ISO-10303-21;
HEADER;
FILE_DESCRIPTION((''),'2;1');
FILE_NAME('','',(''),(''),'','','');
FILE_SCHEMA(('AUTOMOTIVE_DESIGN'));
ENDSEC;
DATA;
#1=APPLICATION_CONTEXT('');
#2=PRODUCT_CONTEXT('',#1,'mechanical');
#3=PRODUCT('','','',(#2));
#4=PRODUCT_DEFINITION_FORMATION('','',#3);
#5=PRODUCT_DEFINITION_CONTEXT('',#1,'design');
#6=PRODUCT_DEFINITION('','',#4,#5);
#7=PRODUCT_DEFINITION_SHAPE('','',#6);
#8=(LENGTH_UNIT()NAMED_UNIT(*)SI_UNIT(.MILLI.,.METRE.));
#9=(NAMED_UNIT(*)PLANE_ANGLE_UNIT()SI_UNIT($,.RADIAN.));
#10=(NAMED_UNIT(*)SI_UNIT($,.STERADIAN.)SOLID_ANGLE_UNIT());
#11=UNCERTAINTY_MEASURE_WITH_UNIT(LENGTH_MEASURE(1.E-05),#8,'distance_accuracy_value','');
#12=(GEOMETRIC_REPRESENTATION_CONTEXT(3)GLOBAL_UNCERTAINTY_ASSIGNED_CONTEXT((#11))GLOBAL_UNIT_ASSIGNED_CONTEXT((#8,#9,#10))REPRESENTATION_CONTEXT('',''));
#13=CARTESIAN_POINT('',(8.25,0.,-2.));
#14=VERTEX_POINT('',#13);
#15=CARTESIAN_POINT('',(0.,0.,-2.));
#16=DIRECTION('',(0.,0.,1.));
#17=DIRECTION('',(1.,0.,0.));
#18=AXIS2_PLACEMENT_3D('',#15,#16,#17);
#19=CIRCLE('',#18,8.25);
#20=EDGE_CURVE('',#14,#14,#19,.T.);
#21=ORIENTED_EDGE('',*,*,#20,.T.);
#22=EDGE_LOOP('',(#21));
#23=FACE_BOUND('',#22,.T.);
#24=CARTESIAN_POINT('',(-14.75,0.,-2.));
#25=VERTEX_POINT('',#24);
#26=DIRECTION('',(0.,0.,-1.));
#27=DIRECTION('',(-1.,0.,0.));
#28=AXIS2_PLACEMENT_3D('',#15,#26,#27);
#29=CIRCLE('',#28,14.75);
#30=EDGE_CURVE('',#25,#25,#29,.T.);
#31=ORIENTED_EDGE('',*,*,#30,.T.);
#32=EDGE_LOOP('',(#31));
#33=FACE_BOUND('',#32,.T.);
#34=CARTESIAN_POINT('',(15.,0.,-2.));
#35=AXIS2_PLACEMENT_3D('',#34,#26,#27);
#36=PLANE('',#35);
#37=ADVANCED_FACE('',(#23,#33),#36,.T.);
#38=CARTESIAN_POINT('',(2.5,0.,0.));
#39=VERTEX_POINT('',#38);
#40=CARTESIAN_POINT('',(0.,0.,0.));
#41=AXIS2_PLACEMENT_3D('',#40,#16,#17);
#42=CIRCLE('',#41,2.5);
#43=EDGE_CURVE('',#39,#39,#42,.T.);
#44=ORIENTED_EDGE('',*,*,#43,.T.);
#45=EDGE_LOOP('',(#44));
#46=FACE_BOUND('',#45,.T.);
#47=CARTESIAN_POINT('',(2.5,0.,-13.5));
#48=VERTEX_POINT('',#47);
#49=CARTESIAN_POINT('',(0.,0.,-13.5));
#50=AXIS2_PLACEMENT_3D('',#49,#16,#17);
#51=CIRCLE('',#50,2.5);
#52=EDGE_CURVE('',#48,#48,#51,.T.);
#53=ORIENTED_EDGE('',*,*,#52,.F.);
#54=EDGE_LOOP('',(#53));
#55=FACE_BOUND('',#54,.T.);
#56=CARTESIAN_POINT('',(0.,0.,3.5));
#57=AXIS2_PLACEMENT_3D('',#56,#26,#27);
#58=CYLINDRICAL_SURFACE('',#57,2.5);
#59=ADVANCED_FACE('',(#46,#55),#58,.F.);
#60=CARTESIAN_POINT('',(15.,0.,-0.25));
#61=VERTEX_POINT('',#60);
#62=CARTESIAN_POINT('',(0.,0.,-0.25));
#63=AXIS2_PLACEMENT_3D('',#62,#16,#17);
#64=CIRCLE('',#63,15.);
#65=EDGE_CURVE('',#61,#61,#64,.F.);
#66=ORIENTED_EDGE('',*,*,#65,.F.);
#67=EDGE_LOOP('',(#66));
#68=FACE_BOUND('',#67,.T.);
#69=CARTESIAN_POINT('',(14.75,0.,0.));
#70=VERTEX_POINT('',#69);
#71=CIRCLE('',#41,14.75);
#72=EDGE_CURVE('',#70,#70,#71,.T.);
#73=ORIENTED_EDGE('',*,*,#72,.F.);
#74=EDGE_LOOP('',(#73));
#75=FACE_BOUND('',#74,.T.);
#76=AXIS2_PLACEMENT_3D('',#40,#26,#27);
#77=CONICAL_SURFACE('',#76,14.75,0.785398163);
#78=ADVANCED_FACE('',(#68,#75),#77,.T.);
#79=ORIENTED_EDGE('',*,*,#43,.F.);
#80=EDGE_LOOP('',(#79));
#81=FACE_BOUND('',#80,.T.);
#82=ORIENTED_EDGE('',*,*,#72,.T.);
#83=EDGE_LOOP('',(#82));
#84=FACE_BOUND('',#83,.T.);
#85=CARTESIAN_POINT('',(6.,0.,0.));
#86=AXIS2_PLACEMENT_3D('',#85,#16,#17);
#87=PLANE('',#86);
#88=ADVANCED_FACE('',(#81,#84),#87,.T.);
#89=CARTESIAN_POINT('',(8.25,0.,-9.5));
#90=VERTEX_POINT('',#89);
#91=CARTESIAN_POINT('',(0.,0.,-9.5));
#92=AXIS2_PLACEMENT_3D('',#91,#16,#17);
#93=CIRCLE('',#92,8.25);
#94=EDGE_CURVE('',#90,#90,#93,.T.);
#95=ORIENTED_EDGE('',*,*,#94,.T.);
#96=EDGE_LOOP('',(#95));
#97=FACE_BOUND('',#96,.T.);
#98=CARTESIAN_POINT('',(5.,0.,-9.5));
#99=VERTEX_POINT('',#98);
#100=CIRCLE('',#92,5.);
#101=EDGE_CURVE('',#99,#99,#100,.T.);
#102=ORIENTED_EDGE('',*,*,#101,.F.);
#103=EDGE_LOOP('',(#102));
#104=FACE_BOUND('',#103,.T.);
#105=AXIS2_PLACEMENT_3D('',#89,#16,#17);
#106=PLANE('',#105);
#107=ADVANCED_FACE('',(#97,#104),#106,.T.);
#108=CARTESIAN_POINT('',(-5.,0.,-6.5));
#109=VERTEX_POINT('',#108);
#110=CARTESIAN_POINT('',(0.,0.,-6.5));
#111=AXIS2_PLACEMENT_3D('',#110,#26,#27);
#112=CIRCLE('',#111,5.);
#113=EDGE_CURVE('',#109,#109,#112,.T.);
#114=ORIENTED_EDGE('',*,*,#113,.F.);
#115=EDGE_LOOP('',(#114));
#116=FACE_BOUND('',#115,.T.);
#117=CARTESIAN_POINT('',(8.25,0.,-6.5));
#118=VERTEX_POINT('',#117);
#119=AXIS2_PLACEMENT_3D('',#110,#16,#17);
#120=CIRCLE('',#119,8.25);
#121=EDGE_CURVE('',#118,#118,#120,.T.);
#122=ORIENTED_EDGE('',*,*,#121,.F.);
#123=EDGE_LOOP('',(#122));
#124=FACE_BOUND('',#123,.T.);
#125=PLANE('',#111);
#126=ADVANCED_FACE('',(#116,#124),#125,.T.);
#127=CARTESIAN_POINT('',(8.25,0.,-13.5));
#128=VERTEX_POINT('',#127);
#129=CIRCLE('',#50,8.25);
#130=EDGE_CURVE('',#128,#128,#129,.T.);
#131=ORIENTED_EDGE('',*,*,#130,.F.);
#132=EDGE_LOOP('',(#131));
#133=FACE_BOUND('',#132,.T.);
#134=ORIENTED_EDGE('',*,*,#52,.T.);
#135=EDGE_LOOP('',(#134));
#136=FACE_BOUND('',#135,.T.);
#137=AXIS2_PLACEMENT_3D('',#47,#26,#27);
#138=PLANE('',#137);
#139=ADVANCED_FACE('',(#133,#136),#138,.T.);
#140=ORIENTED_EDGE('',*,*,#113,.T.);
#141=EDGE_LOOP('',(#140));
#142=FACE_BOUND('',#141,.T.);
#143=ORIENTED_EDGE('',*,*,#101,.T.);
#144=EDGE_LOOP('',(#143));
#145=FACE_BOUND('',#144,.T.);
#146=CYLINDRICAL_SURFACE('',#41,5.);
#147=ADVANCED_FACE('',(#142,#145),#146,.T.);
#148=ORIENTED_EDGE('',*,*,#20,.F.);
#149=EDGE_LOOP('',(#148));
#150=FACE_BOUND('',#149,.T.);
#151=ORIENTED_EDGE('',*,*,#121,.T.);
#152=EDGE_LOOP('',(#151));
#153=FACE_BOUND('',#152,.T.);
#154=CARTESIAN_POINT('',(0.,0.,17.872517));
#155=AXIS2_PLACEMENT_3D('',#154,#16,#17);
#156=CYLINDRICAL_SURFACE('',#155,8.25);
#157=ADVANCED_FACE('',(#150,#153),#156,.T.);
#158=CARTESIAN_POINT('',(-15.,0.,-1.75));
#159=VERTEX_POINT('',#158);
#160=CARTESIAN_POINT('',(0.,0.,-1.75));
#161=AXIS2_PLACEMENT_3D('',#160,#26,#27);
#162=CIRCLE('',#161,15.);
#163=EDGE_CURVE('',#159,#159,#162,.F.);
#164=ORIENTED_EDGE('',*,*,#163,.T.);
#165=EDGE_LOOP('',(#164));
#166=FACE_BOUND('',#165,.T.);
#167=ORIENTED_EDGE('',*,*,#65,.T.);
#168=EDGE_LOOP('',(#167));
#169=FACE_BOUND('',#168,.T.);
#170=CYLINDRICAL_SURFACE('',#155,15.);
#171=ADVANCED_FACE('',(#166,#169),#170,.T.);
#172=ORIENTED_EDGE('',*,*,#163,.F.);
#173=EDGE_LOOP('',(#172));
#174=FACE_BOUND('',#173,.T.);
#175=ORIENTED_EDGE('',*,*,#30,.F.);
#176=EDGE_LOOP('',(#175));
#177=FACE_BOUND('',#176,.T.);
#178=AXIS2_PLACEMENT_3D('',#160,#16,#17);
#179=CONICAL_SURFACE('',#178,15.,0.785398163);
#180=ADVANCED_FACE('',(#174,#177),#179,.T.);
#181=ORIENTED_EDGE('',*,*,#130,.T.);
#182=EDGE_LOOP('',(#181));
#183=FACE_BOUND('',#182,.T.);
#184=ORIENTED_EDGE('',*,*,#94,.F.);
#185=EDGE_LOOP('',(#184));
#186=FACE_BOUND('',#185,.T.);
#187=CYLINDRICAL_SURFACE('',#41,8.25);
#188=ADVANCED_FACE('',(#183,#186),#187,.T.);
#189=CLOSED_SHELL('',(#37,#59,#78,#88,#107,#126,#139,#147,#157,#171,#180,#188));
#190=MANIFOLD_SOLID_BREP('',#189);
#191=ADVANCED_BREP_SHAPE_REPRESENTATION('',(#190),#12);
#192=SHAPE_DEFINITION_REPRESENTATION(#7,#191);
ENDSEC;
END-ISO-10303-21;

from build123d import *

# Parameters (mm, degrees)
CHAMFER1_SIZE      = 0.25
SKETCH2_R          = 2.5
CUT_EXTRUDE1_DEPTH = 10


with BuildPart() as part:
    # Sketch1 → Revolve1 (revolve)
    with BuildSketch(Plane(origin=(0, 0, 0), x_dir=(1, 0, 0), z_dir=(0, 1, 0))):
        Polygon((6, 0), (0, 0), (0, 6.5), (8.25, 6.5), (8.25, 2), (15, 2), (15, 0), align=None)
    revolve(axis=Axis((0, 0, 17.872516556), (0, 0, -1)))

    # Chamfer1
    chamfer1_edges = [part.edges().sort_by_distance(p)[0] for p in [
        (-15, 0, -2),
        (-15, 0, 0),
    ]]
    chamfer(chamfer1_edges, length=CHAMFER1_SIZE)

    # Sketch2 → Cut-Extrude1 (cut)
    with BuildSketch(Plane(origin=(0, 0, -6.5), x_dir=(-1, 0, 0), z_dir=(0, 0, -1))):
        Circle(SKETCH2_R)
    extrude(amount=-CUT_EXTRUDE1_DEPTH, mode=Mode.SUBTRACT)

    # Sketch5 → Revolve2 (revolve)
    with BuildSketch(Plane(origin=(0, 0, 0), x_dir=(1, 0, 0), z_dir=(0, 1, 0))):
        Polygon((2.5, 3.237551437), (2.5, 13.5), (8.25, 13.5), (8.25, 9.5), (5, 9.5), (5, 3.237551437), align=None)
    revolve(axis=Axis((0, 0, 0), (0, 0, -1)))


solid = part.part
